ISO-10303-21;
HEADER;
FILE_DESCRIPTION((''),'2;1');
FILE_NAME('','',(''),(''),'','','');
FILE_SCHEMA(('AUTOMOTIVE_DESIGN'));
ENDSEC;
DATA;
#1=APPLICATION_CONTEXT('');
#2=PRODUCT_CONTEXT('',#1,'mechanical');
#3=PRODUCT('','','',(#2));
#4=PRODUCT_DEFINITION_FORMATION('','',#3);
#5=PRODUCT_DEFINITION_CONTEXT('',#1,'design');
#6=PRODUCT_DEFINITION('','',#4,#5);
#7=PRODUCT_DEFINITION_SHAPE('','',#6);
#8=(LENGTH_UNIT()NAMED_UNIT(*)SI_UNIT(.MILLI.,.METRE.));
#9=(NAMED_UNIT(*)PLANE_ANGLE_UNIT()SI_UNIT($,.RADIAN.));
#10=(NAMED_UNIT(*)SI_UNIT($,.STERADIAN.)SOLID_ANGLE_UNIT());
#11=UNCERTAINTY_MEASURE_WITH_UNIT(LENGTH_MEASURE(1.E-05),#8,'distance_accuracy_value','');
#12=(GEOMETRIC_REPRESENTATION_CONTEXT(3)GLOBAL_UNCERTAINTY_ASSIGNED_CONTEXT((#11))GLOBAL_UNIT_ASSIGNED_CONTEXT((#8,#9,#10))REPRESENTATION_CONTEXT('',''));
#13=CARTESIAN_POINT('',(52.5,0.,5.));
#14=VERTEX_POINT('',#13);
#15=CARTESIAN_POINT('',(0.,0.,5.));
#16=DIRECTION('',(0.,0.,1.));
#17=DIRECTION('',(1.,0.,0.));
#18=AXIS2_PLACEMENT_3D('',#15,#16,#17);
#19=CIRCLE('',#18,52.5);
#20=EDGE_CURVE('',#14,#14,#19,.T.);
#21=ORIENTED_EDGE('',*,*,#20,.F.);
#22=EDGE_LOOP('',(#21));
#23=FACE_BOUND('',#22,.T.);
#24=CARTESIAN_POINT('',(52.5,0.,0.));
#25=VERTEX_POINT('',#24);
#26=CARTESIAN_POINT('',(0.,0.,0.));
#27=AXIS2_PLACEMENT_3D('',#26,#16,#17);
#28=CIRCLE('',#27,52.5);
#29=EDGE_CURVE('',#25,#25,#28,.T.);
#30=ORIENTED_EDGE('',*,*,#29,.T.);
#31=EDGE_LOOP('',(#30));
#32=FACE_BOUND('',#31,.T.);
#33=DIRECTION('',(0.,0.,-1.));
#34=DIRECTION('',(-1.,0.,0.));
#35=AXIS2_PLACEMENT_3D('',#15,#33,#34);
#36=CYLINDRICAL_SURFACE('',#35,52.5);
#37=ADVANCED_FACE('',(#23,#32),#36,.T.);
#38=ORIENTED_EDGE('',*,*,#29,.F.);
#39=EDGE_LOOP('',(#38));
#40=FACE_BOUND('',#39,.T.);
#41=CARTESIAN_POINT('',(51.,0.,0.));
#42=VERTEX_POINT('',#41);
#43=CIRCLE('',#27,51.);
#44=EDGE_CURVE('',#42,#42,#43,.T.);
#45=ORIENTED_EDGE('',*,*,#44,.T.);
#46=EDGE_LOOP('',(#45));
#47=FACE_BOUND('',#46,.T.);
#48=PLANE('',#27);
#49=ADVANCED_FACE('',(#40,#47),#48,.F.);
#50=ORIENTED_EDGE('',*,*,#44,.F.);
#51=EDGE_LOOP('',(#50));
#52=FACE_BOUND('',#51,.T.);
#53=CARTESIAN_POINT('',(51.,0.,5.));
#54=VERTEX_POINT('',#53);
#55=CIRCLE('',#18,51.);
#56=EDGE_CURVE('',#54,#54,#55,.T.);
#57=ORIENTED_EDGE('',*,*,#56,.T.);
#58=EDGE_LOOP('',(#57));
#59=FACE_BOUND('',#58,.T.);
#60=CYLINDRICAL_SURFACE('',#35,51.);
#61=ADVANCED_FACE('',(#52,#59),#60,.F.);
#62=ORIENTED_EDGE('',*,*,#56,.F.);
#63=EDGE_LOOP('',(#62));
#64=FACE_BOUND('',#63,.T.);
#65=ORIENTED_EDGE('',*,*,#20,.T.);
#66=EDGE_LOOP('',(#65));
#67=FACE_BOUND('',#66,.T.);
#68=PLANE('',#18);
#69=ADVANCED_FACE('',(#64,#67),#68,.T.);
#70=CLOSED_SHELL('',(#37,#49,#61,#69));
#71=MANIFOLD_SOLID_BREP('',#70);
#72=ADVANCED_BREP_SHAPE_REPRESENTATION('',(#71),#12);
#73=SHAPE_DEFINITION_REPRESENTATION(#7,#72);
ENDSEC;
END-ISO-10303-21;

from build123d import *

# Parameters (mm, degrees)
SKETCH1_R           = 52.5
SKETCH1_R_2         = 51
BOSS_EXTRUDE1_DEPTH = 5


with BuildPart() as part:
    # Sketch1 → Boss-Extrude1 (new body)
    with BuildSketch(Plane.XY):
        Circle(SKETCH1_R)
        Circle(SKETCH1_R_2, mode=Mode.SUBTRACT)
    extrude(amount=BOSS_EXTRUDE1_DEPTH)


solid = part.part
